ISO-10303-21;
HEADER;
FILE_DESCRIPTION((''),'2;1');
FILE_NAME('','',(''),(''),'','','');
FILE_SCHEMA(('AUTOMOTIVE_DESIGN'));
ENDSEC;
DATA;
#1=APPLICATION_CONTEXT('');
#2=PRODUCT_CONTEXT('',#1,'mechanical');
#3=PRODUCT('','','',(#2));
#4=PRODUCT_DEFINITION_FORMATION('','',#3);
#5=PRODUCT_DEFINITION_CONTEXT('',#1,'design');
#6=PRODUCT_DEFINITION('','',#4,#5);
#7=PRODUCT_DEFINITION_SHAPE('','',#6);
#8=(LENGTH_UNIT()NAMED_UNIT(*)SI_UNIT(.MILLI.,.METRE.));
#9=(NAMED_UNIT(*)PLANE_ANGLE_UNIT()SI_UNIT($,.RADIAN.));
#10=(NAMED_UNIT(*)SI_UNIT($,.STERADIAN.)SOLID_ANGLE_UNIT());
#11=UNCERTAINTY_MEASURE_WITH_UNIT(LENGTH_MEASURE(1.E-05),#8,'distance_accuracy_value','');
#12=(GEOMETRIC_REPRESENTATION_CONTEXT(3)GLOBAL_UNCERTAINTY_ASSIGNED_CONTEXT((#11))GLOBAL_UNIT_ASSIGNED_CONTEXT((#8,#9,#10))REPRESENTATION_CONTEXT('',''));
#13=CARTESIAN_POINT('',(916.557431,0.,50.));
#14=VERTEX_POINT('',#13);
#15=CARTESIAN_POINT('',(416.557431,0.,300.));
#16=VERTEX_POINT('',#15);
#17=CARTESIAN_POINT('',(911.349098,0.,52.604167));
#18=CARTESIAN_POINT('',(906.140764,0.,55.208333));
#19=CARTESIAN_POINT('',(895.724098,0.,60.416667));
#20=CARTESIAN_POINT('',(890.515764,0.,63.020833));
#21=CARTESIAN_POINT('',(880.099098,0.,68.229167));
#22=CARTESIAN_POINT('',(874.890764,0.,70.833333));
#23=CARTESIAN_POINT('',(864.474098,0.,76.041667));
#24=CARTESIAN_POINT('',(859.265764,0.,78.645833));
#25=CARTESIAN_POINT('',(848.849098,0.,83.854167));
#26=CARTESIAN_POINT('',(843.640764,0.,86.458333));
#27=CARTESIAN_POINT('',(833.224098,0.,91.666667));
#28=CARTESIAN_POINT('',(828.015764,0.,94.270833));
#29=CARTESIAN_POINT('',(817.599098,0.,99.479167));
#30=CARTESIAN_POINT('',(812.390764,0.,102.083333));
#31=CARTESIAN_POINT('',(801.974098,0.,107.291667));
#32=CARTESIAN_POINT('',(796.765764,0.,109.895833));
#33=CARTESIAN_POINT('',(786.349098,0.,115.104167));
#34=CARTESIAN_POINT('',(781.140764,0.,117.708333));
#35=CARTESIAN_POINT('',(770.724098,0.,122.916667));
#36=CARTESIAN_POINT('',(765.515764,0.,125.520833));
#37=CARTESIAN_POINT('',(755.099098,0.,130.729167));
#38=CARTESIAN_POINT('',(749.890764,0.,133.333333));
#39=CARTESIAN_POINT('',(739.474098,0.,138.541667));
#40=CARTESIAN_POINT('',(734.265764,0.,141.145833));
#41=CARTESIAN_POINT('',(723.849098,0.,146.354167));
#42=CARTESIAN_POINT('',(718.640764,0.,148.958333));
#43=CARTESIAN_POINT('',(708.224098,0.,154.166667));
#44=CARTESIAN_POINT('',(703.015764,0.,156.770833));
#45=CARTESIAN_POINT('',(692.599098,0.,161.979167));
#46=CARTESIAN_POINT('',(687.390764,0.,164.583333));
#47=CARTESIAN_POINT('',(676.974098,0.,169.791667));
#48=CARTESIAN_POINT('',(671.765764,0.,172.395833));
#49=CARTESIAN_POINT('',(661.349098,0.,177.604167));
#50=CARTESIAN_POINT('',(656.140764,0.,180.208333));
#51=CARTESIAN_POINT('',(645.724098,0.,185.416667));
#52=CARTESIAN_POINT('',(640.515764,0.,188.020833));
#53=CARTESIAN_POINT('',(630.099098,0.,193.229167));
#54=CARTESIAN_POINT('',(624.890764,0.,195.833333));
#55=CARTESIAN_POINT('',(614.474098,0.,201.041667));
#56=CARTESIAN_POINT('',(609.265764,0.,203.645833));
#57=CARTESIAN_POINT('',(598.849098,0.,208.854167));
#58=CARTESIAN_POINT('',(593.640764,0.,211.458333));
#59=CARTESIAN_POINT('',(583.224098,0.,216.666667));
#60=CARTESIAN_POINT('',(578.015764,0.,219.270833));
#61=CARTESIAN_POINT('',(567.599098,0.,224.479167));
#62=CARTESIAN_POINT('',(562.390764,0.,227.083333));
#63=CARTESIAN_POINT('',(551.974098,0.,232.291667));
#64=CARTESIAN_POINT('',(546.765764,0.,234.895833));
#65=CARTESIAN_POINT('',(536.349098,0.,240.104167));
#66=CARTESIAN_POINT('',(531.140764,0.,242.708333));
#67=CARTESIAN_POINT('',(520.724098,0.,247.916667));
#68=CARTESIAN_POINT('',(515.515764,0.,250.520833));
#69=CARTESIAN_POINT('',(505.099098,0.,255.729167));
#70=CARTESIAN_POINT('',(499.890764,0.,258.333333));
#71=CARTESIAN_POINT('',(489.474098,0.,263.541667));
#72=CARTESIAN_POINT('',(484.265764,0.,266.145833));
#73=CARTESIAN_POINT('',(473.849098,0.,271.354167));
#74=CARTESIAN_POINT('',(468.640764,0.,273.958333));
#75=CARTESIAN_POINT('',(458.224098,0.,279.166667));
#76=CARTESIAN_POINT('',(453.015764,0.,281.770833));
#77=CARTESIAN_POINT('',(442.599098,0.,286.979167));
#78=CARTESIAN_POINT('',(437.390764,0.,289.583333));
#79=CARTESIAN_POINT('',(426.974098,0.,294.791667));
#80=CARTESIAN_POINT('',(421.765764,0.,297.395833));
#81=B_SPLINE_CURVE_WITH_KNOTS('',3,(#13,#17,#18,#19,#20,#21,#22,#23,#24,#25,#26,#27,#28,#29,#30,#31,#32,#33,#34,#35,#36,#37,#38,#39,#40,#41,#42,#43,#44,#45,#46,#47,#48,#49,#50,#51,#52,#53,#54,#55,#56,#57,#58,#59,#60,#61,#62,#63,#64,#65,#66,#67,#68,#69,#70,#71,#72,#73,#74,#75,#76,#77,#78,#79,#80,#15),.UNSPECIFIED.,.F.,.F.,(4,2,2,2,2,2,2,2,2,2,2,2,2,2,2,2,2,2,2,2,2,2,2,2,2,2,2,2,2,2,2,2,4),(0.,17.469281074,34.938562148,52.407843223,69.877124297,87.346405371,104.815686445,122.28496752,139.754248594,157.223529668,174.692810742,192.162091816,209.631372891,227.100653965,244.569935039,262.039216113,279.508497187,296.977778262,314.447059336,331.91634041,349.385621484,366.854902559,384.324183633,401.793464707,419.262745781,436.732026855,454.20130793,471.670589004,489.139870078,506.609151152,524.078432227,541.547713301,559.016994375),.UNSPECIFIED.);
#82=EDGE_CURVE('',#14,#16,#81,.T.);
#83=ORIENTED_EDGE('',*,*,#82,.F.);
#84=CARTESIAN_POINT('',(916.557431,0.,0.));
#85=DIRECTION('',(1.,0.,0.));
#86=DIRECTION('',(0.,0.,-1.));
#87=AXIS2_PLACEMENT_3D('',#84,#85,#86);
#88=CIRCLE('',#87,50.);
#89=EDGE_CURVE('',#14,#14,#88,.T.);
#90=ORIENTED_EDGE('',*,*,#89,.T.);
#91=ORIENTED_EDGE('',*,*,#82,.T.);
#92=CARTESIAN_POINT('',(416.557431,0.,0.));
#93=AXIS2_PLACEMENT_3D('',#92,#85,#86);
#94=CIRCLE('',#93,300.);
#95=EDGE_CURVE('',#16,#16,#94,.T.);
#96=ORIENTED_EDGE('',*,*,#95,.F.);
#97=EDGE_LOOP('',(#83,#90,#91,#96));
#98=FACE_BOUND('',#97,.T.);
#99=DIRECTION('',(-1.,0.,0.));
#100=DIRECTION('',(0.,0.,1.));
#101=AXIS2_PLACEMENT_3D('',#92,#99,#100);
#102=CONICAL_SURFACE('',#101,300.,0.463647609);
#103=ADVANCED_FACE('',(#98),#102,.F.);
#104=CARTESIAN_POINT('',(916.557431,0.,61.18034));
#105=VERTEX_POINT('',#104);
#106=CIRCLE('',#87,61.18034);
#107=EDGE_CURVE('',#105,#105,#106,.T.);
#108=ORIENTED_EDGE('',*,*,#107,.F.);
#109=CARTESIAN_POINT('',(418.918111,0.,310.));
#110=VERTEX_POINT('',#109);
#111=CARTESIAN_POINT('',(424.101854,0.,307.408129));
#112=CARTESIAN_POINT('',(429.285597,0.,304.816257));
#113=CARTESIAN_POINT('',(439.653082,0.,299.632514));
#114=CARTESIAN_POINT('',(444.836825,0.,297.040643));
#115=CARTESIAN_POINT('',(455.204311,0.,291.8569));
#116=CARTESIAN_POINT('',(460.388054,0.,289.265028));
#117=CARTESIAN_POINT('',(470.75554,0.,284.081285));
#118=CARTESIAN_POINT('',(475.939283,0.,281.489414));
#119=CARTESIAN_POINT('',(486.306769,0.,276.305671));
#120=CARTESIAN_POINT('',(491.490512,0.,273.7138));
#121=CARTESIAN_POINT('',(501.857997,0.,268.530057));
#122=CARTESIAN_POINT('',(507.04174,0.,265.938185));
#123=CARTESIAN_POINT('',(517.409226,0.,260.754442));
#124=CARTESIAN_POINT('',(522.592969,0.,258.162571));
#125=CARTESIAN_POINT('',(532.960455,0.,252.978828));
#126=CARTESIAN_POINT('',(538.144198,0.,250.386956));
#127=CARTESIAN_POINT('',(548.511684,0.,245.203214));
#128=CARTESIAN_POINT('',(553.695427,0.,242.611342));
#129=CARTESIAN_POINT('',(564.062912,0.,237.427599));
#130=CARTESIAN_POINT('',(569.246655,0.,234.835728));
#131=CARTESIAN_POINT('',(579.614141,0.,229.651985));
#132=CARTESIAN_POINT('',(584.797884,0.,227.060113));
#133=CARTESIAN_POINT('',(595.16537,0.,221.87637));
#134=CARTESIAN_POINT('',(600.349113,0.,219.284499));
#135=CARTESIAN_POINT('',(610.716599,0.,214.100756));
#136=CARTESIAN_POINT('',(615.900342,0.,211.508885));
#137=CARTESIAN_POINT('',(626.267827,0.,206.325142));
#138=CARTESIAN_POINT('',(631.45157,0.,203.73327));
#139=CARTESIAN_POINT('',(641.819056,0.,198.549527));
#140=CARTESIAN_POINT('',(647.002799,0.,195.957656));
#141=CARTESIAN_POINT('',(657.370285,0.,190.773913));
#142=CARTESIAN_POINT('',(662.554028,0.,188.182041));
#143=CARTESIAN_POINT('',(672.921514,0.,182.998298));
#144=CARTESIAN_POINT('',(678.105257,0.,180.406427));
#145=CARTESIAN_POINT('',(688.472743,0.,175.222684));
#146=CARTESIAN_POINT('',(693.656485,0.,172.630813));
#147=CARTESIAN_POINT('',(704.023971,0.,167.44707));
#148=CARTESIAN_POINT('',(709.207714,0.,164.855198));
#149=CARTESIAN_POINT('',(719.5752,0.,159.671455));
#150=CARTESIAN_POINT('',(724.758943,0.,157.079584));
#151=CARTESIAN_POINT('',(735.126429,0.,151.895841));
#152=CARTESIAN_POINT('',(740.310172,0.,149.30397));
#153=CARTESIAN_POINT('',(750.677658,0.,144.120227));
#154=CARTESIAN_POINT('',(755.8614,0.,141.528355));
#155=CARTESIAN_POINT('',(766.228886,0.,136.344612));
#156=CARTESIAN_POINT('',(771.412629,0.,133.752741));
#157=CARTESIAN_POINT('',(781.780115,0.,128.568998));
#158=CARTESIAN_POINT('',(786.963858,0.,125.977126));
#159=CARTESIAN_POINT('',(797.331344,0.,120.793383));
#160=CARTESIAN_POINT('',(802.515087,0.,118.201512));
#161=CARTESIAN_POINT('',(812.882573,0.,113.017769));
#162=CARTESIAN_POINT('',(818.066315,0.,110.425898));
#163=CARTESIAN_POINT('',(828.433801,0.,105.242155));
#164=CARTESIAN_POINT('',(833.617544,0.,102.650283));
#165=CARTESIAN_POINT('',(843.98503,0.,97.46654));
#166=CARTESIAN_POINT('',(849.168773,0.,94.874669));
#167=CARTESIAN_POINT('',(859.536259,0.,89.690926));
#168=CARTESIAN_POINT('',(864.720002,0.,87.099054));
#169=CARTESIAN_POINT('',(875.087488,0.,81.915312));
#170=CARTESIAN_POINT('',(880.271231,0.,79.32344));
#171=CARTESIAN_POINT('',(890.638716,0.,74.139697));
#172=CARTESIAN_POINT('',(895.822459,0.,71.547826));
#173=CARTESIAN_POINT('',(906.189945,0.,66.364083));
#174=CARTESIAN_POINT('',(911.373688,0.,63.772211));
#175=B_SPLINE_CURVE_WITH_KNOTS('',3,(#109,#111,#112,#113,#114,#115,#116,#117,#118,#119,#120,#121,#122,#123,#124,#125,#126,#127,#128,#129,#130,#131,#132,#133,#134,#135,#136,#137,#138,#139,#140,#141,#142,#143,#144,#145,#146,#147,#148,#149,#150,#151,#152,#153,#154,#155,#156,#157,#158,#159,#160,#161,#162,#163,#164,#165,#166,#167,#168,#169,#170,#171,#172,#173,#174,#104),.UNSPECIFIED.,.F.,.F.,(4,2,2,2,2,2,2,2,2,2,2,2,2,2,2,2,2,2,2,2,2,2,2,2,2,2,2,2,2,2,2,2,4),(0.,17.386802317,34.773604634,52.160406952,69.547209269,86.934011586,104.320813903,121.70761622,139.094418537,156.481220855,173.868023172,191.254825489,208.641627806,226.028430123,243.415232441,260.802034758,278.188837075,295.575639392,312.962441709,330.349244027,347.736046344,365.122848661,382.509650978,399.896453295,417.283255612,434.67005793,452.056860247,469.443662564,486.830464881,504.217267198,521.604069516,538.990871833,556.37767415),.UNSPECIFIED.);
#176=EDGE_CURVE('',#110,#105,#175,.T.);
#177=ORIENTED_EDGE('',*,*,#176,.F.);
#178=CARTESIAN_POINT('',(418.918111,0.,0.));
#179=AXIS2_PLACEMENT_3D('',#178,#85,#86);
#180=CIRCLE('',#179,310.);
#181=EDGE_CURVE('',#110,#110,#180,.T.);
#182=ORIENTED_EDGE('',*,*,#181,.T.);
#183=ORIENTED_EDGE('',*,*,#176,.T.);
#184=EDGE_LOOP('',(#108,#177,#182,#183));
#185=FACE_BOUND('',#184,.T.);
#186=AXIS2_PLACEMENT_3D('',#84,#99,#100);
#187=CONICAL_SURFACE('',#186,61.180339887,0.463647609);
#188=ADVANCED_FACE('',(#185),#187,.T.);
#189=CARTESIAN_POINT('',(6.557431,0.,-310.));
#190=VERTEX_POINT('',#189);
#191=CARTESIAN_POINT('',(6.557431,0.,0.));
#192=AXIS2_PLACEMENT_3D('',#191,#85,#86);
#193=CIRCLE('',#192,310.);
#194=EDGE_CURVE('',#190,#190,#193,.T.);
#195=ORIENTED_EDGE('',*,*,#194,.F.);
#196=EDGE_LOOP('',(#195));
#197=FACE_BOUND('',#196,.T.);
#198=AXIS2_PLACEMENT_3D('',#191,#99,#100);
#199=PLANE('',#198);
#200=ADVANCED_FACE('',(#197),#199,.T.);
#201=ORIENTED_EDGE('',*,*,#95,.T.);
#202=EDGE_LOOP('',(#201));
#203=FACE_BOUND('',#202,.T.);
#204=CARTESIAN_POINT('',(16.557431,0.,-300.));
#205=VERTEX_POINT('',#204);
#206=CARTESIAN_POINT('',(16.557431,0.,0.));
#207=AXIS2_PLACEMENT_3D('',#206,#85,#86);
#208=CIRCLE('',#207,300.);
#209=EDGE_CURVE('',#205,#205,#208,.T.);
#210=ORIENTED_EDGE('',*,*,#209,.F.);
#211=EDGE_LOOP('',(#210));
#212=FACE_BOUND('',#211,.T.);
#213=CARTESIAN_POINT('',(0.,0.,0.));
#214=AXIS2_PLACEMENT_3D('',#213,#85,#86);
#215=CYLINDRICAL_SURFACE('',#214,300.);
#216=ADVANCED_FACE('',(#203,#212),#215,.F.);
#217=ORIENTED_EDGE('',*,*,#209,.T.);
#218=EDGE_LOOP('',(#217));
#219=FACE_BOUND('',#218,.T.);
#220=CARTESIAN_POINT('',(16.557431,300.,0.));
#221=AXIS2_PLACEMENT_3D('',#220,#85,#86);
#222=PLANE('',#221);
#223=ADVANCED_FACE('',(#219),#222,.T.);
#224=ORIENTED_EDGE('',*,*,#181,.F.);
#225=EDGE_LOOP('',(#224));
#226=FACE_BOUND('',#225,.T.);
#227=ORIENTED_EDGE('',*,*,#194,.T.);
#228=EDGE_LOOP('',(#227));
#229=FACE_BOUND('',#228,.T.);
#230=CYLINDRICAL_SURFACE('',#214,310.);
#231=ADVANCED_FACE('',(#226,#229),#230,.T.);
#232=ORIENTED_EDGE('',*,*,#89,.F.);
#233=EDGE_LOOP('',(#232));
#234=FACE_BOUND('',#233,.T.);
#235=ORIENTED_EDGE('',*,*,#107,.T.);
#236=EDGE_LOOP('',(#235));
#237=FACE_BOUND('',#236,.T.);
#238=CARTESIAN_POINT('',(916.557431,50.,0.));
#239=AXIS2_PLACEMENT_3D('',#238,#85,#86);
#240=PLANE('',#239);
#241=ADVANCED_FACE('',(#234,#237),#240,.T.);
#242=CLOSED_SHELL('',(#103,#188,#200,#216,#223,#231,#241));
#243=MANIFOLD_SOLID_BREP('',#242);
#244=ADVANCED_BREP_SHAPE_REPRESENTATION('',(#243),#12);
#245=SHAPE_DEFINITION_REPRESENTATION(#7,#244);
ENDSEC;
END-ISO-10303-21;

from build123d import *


with BuildPart() as part:
    # Эскиз1 → Повернуть1 (revolve)
    with BuildSketch(Plane.XY, mode=Mode.PRIVATE) as revolve_1_sk:
        Polygon((16.557430953, 300), (416.557430953, 300), (916.557430953, 50), (916.557430953, 61.180339887), (418.918110728, 310), (16.557430953, 310), (6.557430953, 310), (6.557430953, 0), (16.557430953, 0), align=None)
    revolve(revolve_1_sk.sketch.rotate(Axis((0, 0, 0), (-1, 0, 0)), 90), axis=Axis((0, 0, 0), (-1, 0, 0)))


solid = part.part
